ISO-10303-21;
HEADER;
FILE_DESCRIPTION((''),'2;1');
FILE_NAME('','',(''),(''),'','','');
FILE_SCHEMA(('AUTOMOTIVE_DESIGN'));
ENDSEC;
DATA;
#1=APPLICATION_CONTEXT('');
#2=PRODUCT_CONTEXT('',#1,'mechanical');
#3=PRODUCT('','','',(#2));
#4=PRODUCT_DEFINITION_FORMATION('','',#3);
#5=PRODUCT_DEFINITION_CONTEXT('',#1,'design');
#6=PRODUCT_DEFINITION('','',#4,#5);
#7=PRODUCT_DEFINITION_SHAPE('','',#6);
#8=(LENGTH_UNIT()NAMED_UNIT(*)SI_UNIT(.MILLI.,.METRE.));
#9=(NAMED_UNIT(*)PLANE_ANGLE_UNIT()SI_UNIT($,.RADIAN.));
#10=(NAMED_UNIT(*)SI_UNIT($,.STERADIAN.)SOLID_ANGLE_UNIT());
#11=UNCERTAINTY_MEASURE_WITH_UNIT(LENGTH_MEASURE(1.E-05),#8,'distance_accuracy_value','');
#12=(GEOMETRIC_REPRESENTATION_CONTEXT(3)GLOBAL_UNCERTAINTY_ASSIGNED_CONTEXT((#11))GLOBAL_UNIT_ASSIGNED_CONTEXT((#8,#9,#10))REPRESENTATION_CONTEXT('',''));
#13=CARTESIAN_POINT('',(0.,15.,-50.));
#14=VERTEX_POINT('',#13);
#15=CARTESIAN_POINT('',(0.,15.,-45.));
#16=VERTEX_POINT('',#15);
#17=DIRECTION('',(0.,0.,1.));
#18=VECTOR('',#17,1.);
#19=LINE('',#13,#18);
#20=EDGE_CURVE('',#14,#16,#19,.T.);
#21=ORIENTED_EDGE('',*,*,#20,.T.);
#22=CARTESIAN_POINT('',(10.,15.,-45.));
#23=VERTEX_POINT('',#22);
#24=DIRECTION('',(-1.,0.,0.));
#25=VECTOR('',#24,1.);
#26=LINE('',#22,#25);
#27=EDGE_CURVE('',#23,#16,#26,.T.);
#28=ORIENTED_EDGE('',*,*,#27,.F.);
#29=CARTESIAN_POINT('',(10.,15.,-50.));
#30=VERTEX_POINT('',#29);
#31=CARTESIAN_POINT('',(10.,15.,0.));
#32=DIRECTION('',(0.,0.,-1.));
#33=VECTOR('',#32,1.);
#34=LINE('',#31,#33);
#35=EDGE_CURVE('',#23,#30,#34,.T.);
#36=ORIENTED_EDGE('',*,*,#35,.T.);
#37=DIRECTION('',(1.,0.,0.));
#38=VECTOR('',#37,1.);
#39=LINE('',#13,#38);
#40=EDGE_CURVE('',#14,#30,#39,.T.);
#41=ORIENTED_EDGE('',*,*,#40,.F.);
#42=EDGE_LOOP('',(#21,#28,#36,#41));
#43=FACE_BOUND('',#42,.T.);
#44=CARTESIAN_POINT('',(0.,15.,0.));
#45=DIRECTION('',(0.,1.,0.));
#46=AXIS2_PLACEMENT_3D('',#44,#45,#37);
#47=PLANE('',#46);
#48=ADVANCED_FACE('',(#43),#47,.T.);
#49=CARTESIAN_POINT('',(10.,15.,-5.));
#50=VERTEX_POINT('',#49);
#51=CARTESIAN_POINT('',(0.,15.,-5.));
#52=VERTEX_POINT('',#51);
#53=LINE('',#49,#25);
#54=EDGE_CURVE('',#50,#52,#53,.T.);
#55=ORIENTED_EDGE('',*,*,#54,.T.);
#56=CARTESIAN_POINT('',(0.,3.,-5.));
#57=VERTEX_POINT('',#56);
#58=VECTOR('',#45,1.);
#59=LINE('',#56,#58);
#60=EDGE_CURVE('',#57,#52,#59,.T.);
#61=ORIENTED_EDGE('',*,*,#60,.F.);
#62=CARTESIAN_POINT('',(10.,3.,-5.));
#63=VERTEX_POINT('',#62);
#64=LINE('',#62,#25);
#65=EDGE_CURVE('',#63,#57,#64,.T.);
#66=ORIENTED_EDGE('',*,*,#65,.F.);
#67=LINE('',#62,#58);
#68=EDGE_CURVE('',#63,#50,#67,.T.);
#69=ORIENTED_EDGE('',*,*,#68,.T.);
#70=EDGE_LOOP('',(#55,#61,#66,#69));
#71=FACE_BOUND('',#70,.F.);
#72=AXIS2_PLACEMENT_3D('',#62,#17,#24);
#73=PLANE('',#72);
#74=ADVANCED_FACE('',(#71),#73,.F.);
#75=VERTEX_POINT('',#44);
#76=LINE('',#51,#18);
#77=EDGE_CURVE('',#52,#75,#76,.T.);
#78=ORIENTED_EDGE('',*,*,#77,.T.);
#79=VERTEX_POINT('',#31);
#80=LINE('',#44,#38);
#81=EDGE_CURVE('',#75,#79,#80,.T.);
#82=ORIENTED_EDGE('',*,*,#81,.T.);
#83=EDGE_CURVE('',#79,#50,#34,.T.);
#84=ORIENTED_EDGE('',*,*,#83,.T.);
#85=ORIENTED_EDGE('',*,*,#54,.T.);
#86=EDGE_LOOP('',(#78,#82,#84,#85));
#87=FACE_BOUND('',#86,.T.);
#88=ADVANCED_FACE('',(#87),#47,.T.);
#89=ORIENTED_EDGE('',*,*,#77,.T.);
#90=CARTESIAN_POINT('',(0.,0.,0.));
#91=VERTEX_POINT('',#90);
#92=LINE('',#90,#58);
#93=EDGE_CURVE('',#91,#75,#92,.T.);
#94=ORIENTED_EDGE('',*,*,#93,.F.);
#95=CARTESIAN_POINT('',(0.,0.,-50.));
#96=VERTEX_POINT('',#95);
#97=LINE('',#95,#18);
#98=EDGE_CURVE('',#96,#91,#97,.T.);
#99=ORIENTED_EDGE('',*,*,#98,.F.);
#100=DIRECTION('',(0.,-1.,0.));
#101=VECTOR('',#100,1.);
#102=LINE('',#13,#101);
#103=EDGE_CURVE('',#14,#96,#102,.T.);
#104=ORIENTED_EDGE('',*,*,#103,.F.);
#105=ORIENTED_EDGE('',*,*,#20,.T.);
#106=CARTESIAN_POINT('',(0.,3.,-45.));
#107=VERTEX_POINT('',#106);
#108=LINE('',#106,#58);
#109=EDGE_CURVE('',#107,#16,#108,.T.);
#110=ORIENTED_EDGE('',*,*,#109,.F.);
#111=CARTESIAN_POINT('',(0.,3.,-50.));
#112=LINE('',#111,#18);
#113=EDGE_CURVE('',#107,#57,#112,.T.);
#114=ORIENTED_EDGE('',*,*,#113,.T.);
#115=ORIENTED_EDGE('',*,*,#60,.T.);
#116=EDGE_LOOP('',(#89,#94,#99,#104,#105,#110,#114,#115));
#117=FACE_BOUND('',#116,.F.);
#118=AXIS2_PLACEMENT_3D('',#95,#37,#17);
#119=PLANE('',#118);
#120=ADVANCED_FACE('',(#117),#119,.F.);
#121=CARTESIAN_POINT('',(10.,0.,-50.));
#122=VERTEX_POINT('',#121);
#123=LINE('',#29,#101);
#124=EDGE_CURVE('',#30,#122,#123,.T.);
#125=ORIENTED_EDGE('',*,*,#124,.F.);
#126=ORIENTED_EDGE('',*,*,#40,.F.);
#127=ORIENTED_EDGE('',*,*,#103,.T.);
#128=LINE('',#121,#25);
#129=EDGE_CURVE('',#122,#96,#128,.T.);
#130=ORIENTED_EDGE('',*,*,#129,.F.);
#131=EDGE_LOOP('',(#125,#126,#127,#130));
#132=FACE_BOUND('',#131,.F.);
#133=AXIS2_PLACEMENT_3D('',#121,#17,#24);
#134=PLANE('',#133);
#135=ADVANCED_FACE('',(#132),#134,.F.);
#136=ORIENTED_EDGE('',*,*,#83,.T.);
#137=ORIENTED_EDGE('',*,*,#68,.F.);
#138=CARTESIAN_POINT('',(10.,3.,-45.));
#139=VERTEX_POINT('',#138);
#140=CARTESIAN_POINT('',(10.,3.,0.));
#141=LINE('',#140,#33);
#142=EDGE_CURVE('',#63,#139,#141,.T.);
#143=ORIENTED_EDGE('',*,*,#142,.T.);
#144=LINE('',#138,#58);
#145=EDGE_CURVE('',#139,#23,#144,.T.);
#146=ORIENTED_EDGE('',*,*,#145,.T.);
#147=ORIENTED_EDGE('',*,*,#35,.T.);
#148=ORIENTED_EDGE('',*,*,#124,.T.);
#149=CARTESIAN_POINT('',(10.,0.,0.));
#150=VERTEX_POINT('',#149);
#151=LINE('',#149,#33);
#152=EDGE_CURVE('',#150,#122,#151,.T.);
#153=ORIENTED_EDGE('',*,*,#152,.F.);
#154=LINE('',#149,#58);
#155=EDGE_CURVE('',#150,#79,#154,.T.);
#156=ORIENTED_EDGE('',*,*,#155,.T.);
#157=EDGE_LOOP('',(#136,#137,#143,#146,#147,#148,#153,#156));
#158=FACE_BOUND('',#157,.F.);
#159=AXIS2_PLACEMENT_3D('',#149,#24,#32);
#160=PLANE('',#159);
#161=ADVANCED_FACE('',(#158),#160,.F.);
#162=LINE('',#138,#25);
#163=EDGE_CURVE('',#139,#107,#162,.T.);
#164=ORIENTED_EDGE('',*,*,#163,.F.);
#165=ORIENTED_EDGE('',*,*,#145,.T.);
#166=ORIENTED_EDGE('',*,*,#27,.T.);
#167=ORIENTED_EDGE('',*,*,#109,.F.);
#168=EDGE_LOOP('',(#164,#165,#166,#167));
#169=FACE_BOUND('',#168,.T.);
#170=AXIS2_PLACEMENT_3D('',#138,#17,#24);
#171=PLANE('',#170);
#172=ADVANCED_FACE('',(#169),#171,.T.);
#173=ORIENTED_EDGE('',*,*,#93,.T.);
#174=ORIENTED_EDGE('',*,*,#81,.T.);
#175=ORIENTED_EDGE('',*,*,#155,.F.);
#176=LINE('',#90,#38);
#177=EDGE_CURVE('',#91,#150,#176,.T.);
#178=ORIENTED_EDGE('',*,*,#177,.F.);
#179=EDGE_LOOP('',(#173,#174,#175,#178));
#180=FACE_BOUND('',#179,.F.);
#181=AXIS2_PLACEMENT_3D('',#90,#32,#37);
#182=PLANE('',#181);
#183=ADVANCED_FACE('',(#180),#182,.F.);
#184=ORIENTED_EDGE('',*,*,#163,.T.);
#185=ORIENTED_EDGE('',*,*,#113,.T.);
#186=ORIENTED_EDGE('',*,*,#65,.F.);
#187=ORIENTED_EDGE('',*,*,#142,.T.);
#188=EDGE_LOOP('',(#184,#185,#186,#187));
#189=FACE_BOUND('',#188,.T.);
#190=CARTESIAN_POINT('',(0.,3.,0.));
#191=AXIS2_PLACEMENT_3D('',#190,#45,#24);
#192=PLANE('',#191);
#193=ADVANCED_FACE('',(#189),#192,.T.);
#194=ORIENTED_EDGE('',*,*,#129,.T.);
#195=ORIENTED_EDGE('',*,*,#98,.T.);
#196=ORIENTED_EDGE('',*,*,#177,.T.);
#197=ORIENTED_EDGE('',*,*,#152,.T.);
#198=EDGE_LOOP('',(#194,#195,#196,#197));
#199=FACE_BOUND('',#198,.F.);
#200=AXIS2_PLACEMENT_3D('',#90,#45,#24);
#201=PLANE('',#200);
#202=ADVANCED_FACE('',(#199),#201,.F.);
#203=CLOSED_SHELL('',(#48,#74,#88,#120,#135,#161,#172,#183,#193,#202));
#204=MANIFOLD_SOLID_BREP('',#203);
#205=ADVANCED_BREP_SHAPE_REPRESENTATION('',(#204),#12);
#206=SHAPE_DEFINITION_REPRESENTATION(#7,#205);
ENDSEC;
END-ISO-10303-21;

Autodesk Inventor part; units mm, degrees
ref_plane "YZ Plane" through (0, 0, 0) normal (1, 0, 0) x (0, 1, 0)
ref_plane "XZ Plane" through (0, 0, 0) normal (0, 1, 0) x (-1, 0, 0)
ref_plane "XY Plane" through (0, 0, 0) normal (0, 0, 1) x (1, 0, 0)
sketch "Sketch1" plane through (0, 0, 0) normal (0, 1, 0) x (-1, 0, 0)
  line L0 (0, 0) -> (-10, 0)
  line L1 (-10, 0) -> (-10, -50)
  line L2 (-10, -50) -> (0, -50)
  line L3 (0, -50) -> (0, 0)
  dimension "d0" = 10
  dimension "d1" = 50
extrude "Extrusion1" add sketch "Sketch1" along normal blind 3
sketch "Sketch2" plane through (0, 3, 0) normal (0, 1, 0) x (1, 0, 0)
  line L0 (0, 0) -> (10, 0) projected
  line L1 (10, 0) -> (10, 50) projected
  line L2 (0, 0) -> (10, 0)
  line L3 (10, 0) -> (10, 5)
  line L4 (10, 5) -> (0, 5)
  line L5 (0, 5) -> (0, 0)
  line L6 (0, 50) -> (0, 0) projected
  line L7 (0, 50) -> (10, 50)
  line L8 (10, 50) -> (10, 45)
  line L9 (10, 45) -> (0, 45)
  line L10 (0, 45) -> (0, 50)
  dimension "d4" = 5
  dimension "d5" = 5
extrude "Extrusion2" add sketch "Sketch2" along normal blind 12 contours L5 L4 L1 L0 | L6 L7 L1 L9
equation "\"BendRadius\" = Thickness"
equation "\"BendReliefWidth\" = Thickness"
equation "\"BendReliefDepth\" = 0.5 * Thickness"
equation "\"CornerReliefSize\" = 4 * Thickness"
equation "\"MinimumRemnant\" = 2 * Thickness"
equation "\"TransitionRadius\" = BendRadius"
equation "\"JacobiRadiusSize\" = BendRadius"
equation "\"GapSize\" = Thickness"
equation "\"Thickness\" = 0.5"
